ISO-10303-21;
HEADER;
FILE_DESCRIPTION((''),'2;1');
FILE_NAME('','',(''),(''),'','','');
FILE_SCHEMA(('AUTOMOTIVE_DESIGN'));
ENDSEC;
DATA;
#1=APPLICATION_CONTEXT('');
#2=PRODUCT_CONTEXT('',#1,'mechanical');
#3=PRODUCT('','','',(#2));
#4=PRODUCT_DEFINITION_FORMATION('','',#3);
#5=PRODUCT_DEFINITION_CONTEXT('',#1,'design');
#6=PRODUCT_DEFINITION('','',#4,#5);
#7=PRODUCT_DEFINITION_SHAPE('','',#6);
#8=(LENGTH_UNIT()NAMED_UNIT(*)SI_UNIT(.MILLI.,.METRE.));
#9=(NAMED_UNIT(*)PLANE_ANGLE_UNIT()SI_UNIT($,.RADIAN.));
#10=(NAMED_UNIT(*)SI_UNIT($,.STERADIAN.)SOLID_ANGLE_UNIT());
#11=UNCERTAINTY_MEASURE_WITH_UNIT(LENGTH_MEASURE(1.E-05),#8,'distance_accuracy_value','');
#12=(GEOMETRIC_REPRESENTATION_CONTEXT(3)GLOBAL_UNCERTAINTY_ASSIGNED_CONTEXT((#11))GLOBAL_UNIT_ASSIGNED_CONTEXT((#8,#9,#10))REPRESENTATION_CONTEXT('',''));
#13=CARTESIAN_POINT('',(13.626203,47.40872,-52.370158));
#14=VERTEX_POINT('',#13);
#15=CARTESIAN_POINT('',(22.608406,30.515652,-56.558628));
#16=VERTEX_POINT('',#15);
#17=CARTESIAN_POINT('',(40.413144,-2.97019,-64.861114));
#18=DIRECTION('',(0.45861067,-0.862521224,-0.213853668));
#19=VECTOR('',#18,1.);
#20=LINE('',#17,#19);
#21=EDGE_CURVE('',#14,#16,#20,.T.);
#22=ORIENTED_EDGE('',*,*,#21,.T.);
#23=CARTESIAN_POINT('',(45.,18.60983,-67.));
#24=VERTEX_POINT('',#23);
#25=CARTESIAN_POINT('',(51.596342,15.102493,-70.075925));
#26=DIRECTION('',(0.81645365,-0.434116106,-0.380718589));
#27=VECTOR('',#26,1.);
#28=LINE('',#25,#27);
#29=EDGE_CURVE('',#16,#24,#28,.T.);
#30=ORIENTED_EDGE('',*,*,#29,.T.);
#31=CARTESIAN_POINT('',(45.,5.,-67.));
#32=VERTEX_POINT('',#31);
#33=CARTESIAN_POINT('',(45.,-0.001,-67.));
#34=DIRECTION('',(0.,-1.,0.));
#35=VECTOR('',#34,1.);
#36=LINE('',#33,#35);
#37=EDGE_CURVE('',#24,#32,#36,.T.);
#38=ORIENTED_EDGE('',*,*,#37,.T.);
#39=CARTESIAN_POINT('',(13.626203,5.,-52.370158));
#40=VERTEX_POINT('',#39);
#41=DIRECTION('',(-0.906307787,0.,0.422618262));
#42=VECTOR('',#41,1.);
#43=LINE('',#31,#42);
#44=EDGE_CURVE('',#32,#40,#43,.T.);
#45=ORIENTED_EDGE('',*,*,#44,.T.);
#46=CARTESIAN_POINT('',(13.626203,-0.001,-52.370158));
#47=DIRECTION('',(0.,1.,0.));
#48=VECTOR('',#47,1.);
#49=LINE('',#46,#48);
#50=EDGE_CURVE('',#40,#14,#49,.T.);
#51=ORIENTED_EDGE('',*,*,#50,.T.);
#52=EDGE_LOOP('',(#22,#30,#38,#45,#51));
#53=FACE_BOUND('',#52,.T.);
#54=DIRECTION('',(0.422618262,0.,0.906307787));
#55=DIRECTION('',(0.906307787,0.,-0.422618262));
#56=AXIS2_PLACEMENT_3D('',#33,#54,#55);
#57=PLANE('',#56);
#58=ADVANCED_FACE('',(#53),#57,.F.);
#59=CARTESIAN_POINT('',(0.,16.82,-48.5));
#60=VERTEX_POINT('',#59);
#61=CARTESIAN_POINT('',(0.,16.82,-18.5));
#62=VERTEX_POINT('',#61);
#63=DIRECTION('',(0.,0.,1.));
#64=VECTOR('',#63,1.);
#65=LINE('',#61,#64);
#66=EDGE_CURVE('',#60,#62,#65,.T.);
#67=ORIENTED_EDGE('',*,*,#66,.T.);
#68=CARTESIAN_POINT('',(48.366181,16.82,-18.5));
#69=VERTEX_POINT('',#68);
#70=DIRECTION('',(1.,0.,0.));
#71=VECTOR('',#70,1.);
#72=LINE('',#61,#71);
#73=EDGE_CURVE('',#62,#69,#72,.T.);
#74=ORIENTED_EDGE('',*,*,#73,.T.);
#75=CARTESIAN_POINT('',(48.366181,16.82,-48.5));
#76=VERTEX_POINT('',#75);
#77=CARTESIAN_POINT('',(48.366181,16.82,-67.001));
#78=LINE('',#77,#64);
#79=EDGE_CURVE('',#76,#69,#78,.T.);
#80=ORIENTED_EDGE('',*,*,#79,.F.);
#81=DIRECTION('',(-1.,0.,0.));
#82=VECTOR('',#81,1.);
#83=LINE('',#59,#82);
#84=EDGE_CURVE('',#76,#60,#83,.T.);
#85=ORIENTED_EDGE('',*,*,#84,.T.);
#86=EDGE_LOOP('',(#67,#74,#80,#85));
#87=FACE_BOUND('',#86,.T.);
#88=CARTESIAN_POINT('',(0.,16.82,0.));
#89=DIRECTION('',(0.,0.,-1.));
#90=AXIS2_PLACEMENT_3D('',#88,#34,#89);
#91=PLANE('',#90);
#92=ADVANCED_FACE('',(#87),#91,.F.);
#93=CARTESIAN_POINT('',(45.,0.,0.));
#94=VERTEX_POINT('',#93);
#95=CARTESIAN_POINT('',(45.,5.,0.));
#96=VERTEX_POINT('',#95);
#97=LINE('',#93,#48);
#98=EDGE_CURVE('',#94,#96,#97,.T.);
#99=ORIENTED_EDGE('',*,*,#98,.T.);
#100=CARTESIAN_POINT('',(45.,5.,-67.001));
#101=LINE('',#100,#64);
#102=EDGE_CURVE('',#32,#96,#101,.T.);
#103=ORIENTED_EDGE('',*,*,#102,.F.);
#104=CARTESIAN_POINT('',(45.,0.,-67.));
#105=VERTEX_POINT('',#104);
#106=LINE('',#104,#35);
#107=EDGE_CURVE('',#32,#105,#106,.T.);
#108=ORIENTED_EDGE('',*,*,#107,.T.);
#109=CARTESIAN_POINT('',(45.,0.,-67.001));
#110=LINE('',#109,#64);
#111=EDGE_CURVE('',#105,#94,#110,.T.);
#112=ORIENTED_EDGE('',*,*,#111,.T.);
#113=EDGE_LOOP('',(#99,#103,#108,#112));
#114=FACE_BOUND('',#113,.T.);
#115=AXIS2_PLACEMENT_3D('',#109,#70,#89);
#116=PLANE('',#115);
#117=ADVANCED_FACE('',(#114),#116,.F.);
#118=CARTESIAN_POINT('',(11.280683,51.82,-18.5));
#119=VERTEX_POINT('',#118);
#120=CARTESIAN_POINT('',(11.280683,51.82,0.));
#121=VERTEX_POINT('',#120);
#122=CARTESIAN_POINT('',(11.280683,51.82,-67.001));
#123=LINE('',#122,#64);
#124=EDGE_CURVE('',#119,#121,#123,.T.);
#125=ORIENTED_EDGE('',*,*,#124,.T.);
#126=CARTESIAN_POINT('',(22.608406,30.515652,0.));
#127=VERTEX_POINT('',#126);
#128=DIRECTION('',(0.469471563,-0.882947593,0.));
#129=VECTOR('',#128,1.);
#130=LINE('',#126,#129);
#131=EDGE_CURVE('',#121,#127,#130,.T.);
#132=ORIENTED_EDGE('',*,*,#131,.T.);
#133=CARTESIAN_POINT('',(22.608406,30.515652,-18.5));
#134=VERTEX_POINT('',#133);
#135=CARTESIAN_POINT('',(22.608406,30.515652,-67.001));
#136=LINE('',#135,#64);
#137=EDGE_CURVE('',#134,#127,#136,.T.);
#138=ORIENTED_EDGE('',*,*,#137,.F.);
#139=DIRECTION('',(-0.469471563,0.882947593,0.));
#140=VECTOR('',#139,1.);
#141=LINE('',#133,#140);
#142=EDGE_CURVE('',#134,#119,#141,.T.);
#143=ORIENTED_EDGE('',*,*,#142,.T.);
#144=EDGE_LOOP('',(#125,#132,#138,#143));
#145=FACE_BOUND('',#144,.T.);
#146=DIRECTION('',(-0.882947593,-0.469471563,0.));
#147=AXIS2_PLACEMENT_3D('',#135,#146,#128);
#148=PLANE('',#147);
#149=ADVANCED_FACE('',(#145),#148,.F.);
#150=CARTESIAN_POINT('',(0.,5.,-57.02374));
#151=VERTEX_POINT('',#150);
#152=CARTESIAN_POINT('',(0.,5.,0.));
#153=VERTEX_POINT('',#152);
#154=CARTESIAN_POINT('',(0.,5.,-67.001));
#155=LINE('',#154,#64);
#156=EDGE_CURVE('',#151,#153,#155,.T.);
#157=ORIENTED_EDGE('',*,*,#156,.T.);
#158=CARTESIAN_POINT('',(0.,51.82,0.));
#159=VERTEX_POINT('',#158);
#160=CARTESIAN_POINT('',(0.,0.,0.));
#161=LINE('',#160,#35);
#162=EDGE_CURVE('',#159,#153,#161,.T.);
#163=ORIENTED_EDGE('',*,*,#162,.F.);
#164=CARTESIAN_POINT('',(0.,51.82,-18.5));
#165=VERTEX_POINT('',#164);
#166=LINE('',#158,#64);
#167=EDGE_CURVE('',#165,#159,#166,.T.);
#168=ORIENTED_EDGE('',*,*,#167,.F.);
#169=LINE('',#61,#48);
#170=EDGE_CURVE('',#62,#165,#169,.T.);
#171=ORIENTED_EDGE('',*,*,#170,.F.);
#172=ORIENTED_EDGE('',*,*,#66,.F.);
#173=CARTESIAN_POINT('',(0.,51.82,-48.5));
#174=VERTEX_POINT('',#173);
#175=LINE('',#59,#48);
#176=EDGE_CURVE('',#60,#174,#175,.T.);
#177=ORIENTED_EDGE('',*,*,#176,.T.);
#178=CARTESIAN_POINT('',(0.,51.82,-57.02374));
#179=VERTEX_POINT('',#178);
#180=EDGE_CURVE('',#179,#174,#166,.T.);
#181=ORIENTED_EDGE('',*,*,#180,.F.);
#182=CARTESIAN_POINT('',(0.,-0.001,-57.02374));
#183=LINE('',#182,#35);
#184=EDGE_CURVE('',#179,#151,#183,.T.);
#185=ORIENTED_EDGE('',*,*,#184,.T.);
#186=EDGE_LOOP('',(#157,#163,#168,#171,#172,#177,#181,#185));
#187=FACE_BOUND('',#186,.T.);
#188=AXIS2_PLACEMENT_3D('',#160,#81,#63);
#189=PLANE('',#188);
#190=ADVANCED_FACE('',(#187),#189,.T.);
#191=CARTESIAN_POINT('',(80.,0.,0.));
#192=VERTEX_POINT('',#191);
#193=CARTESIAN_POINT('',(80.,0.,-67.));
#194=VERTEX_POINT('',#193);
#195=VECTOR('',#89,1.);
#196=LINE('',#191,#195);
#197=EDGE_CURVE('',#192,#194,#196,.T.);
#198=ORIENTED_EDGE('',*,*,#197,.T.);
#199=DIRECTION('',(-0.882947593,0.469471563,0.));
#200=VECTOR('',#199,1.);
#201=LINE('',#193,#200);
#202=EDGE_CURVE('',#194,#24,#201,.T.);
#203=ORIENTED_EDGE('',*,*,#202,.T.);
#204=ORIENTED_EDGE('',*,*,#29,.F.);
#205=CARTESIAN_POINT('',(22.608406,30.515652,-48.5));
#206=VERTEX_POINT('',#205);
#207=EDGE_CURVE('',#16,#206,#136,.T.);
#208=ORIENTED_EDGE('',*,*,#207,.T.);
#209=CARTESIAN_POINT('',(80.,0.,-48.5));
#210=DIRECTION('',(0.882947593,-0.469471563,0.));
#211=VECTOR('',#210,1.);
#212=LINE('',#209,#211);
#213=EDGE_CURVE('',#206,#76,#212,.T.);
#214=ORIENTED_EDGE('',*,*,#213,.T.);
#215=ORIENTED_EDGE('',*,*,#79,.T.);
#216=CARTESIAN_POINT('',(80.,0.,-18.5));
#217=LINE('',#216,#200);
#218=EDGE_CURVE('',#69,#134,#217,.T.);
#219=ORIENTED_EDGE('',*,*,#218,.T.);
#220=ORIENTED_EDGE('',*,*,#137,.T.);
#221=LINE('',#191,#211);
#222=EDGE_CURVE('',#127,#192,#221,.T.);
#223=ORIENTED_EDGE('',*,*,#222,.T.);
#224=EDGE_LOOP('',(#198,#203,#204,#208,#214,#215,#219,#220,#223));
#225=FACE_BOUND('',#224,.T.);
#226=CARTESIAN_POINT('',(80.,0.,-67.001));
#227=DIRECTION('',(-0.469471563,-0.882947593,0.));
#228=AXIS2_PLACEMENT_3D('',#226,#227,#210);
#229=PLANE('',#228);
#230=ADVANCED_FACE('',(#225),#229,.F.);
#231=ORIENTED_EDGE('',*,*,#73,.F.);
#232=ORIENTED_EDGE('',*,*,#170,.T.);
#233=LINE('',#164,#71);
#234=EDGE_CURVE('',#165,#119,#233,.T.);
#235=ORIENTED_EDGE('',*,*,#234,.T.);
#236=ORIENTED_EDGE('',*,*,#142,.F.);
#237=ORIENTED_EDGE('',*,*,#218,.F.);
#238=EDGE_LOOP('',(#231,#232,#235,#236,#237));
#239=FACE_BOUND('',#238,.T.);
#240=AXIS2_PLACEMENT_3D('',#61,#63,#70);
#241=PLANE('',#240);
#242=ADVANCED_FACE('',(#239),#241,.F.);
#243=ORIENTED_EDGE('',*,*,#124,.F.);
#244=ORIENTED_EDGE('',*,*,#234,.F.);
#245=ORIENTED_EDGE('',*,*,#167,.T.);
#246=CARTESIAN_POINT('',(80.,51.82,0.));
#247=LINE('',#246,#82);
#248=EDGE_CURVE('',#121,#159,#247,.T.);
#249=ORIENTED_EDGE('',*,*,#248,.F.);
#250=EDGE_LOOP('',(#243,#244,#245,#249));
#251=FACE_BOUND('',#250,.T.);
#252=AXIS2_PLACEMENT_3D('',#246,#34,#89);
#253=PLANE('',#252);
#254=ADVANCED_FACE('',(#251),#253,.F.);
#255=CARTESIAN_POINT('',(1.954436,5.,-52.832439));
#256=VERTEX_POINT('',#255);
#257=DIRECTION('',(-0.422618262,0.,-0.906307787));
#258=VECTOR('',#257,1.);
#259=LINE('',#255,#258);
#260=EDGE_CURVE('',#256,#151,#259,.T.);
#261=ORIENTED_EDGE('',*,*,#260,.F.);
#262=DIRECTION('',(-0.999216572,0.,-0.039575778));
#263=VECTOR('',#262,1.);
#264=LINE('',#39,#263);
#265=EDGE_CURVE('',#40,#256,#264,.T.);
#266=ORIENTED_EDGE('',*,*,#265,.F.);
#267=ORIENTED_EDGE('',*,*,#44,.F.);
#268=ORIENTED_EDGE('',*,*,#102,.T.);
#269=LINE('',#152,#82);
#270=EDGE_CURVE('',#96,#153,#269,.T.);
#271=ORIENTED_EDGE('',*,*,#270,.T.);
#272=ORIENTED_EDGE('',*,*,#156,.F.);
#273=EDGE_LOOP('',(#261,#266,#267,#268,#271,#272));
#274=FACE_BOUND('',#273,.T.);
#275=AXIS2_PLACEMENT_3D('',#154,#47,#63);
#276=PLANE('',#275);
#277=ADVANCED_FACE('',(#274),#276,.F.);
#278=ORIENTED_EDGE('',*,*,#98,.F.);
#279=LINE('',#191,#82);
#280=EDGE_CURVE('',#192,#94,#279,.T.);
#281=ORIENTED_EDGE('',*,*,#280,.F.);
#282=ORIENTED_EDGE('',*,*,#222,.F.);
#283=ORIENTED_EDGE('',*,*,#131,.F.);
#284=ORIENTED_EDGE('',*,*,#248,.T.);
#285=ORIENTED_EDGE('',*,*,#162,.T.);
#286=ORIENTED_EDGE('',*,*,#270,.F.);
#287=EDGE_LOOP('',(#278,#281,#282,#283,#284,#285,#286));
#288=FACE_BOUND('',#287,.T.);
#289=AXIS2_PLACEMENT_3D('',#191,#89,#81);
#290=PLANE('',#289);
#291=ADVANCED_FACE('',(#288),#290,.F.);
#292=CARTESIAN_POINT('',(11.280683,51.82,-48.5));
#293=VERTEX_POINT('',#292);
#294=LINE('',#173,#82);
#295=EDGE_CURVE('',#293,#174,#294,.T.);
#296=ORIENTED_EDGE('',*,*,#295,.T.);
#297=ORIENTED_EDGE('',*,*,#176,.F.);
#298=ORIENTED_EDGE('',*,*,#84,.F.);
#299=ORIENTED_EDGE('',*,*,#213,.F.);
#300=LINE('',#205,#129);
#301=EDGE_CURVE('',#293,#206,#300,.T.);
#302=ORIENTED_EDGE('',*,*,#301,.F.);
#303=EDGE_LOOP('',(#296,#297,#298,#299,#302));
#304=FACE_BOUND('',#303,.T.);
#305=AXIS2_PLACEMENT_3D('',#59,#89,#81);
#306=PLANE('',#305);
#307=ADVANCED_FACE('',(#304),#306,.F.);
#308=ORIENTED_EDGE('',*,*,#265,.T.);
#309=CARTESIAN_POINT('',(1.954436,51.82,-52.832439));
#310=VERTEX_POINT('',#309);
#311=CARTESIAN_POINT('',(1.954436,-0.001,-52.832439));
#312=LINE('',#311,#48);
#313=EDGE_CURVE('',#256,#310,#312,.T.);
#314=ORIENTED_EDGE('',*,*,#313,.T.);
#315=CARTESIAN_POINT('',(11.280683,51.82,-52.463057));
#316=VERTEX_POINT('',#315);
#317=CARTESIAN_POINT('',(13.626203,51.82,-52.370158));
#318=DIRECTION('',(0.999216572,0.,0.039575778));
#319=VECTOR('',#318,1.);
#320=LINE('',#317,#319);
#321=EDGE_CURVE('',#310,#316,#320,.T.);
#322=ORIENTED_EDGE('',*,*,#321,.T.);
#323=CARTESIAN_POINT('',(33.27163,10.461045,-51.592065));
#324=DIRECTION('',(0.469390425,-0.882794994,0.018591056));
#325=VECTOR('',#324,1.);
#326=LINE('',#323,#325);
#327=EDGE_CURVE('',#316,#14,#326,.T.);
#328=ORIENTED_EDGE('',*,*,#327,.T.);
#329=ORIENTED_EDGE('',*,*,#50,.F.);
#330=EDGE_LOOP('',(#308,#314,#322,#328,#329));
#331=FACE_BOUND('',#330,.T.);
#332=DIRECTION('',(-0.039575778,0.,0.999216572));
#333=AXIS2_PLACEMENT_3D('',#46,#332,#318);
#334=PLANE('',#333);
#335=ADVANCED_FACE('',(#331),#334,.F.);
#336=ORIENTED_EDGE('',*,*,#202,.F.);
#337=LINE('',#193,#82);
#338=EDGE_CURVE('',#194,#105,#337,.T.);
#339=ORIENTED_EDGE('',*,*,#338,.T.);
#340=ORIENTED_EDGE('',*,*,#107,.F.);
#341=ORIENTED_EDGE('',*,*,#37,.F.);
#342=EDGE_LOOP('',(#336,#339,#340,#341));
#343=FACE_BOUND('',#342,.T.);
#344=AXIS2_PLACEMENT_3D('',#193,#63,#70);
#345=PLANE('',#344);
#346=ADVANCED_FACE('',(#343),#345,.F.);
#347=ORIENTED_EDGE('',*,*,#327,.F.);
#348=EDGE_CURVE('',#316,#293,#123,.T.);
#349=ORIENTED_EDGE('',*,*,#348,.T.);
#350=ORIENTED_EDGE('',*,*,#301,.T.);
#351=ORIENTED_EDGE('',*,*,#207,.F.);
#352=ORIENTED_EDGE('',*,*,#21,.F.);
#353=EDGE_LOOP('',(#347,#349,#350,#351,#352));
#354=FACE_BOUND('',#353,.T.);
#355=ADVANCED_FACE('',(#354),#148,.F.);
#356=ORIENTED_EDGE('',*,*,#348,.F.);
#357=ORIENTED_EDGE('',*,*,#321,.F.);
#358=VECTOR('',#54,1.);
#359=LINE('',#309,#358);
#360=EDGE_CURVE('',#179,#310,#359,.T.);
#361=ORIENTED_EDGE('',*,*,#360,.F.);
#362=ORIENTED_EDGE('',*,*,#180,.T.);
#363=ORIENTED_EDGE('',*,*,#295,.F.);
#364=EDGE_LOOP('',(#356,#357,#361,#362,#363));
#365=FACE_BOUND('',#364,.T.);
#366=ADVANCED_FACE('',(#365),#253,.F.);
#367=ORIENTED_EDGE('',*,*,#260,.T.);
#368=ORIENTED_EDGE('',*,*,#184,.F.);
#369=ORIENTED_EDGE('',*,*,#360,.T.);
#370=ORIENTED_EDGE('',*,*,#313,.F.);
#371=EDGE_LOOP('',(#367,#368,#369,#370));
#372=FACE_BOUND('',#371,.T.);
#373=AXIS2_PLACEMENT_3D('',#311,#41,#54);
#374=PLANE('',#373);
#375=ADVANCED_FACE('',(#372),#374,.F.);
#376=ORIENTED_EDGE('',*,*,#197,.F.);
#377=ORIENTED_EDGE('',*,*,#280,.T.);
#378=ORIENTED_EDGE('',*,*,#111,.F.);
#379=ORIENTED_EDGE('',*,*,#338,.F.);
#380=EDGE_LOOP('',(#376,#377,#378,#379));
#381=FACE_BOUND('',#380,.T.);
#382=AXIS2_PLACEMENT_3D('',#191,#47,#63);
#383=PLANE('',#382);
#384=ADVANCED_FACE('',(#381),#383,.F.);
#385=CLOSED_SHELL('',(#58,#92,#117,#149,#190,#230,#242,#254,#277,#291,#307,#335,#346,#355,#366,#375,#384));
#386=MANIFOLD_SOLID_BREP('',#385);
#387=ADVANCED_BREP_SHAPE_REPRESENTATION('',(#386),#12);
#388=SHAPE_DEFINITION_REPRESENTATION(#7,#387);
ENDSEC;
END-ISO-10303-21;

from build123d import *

# Parameters (mm, degrees)
CROQUIS1_W              = 67
CROQUIS1_H              = 51.82
SALIENTE_EXTRUIR1_DEPTH = 80
CORTAR_EXTRUIR1_REACH   = 69
CROQUIS4_W              = 60
CROQUIS4_H              = 30
CORTAR_EXTRUIR2_DEPTH   = 35
CORTAR_EXTRUIR3_REACH   = 69
CROQUIS5_W              = 45
CROQUIS5_H              = 5
CORTAR_EXTRUIR4_REACH   = 53.82
CORTAR_EXTRUIR5_REACH   = 53.82


with BuildPart() as part:
    # Croquis1 → Saliente-Extruir1 (new body)
    with BuildSketch(Plane(origin=(0, 0, 0), x_dir=(0, 0, -1), z_dir=(1, 0, 0))):
        with Locations((33.5, 25.91)):
            Rectangle(CROQUIS1_W, CROQUIS1_H)
    extrude(amount=SALIENTE_EXTRUIR1_DEPTH)

    # Croquis3 → Cortar-Extruir1 (cut, up to next)
    with BuildSketch(Plane.XY, mode=Mode.PRIVATE) as cortar_extruir1_sk1:
        Polygon((80, 0), (22.608406464, 30.515651581), (11.280683474, 51.82), (80, 51.82), align=None)
    cortar_extruir1_tool1 = extrude(cortar_extruir1_sk1.sketch, amount=-CORTAR_EXTRUIR1_REACH, mode=Mode.PRIVATE) & part.part
    add(cortar_extruir1_tool1.solids().sort_by_distance((53.313116, 33.143327, 0))[0], mode=Mode.SUBTRACT)

    # Croquis4 → Cortar-Extruir2 (cut)
    with BuildSketch(Plane(origin=(0, 51.82, 0), x_dir=(1, 0, 0), z_dir=(0, 1, 0))):
        with Locations((30, 33.5)):
            Rectangle(CROQUIS4_W, CROQUIS4_H)
    extrude(amount=-CORTAR_EXTRUIR2_DEPTH, mode=Mode.SUBTRACT)

    # Croquis5 → Cortar-Extruir3 (cut, up to next)
    with BuildSketch(Plane.XY, mode=Mode.PRIVATE) as cortar_extruir3_sk1:
        with Locations((22.5, 2.5)):
            Rectangle(CROQUIS5_W, CROQUIS5_H)
    cortar_extruir3_tool1 = extrude(cortar_extruir3_sk1.sketch, amount=-CORTAR_EXTRUIR3_REACH, mode=Mode.PRIVATE) & part.part
    add(cortar_extruir3_tool1.solids().sort_by_distance((22.5, 2.5, 0))[0], mode=Mode.SUBTRACT)

    # Croquis6 → Cortar-Extruir4 (cut, up to next)
    with BuildSketch(Plane(origin=(0, 51.82, 0), x_dir=(1, 0, 0), z_dir=(0, 1, 0)), mode=Mode.PRIVATE) as cortar_extruir4_sk1:
        Polygon((4.922856145, 67), (0, 64.334655313), (0, 67), align=None)
    cortar_extruir4_tool1 = extrude(cortar_extruir4_sk1.sketch, amount=-CORTAR_EXTRUIR4_REACH, mode=Mode.PRIVATE) & part.part
    add(cortar_extruir4_tool1.solids().sort_by_distance((1.640952, 51.82, -66.111552))[0], mode=Mode.SUBTRACT)

    # Croquis9 → Cortar-Extruir5 (cut, up to next)
    with BuildSketch(Plane(origin=(0, 51.82, 0), x_dir=(1, 0, 0), z_dir=(0, 1, 0)), mode=Mode.PRIVATE) as cortar_extruir5_sk1:
        Polygon((45, 67), (13.626202653, 52.370158031), (1.954435626, 52.832439456), (-4.658833913, 67.014641749), align=None)
    cortar_extruir5_tool1 = extrude(cortar_extruir5_sk1.sketch, amount=-CORTAR_EXTRUIR5_REACH, mode=Mode.PRIVATE) & part.part
    add(cortar_extruir5_tool1.solids().sort_by_distance((15.368059, 51.82, -61.265598))[0], mode=Mode.SUBTRACT)


solid = part.part
